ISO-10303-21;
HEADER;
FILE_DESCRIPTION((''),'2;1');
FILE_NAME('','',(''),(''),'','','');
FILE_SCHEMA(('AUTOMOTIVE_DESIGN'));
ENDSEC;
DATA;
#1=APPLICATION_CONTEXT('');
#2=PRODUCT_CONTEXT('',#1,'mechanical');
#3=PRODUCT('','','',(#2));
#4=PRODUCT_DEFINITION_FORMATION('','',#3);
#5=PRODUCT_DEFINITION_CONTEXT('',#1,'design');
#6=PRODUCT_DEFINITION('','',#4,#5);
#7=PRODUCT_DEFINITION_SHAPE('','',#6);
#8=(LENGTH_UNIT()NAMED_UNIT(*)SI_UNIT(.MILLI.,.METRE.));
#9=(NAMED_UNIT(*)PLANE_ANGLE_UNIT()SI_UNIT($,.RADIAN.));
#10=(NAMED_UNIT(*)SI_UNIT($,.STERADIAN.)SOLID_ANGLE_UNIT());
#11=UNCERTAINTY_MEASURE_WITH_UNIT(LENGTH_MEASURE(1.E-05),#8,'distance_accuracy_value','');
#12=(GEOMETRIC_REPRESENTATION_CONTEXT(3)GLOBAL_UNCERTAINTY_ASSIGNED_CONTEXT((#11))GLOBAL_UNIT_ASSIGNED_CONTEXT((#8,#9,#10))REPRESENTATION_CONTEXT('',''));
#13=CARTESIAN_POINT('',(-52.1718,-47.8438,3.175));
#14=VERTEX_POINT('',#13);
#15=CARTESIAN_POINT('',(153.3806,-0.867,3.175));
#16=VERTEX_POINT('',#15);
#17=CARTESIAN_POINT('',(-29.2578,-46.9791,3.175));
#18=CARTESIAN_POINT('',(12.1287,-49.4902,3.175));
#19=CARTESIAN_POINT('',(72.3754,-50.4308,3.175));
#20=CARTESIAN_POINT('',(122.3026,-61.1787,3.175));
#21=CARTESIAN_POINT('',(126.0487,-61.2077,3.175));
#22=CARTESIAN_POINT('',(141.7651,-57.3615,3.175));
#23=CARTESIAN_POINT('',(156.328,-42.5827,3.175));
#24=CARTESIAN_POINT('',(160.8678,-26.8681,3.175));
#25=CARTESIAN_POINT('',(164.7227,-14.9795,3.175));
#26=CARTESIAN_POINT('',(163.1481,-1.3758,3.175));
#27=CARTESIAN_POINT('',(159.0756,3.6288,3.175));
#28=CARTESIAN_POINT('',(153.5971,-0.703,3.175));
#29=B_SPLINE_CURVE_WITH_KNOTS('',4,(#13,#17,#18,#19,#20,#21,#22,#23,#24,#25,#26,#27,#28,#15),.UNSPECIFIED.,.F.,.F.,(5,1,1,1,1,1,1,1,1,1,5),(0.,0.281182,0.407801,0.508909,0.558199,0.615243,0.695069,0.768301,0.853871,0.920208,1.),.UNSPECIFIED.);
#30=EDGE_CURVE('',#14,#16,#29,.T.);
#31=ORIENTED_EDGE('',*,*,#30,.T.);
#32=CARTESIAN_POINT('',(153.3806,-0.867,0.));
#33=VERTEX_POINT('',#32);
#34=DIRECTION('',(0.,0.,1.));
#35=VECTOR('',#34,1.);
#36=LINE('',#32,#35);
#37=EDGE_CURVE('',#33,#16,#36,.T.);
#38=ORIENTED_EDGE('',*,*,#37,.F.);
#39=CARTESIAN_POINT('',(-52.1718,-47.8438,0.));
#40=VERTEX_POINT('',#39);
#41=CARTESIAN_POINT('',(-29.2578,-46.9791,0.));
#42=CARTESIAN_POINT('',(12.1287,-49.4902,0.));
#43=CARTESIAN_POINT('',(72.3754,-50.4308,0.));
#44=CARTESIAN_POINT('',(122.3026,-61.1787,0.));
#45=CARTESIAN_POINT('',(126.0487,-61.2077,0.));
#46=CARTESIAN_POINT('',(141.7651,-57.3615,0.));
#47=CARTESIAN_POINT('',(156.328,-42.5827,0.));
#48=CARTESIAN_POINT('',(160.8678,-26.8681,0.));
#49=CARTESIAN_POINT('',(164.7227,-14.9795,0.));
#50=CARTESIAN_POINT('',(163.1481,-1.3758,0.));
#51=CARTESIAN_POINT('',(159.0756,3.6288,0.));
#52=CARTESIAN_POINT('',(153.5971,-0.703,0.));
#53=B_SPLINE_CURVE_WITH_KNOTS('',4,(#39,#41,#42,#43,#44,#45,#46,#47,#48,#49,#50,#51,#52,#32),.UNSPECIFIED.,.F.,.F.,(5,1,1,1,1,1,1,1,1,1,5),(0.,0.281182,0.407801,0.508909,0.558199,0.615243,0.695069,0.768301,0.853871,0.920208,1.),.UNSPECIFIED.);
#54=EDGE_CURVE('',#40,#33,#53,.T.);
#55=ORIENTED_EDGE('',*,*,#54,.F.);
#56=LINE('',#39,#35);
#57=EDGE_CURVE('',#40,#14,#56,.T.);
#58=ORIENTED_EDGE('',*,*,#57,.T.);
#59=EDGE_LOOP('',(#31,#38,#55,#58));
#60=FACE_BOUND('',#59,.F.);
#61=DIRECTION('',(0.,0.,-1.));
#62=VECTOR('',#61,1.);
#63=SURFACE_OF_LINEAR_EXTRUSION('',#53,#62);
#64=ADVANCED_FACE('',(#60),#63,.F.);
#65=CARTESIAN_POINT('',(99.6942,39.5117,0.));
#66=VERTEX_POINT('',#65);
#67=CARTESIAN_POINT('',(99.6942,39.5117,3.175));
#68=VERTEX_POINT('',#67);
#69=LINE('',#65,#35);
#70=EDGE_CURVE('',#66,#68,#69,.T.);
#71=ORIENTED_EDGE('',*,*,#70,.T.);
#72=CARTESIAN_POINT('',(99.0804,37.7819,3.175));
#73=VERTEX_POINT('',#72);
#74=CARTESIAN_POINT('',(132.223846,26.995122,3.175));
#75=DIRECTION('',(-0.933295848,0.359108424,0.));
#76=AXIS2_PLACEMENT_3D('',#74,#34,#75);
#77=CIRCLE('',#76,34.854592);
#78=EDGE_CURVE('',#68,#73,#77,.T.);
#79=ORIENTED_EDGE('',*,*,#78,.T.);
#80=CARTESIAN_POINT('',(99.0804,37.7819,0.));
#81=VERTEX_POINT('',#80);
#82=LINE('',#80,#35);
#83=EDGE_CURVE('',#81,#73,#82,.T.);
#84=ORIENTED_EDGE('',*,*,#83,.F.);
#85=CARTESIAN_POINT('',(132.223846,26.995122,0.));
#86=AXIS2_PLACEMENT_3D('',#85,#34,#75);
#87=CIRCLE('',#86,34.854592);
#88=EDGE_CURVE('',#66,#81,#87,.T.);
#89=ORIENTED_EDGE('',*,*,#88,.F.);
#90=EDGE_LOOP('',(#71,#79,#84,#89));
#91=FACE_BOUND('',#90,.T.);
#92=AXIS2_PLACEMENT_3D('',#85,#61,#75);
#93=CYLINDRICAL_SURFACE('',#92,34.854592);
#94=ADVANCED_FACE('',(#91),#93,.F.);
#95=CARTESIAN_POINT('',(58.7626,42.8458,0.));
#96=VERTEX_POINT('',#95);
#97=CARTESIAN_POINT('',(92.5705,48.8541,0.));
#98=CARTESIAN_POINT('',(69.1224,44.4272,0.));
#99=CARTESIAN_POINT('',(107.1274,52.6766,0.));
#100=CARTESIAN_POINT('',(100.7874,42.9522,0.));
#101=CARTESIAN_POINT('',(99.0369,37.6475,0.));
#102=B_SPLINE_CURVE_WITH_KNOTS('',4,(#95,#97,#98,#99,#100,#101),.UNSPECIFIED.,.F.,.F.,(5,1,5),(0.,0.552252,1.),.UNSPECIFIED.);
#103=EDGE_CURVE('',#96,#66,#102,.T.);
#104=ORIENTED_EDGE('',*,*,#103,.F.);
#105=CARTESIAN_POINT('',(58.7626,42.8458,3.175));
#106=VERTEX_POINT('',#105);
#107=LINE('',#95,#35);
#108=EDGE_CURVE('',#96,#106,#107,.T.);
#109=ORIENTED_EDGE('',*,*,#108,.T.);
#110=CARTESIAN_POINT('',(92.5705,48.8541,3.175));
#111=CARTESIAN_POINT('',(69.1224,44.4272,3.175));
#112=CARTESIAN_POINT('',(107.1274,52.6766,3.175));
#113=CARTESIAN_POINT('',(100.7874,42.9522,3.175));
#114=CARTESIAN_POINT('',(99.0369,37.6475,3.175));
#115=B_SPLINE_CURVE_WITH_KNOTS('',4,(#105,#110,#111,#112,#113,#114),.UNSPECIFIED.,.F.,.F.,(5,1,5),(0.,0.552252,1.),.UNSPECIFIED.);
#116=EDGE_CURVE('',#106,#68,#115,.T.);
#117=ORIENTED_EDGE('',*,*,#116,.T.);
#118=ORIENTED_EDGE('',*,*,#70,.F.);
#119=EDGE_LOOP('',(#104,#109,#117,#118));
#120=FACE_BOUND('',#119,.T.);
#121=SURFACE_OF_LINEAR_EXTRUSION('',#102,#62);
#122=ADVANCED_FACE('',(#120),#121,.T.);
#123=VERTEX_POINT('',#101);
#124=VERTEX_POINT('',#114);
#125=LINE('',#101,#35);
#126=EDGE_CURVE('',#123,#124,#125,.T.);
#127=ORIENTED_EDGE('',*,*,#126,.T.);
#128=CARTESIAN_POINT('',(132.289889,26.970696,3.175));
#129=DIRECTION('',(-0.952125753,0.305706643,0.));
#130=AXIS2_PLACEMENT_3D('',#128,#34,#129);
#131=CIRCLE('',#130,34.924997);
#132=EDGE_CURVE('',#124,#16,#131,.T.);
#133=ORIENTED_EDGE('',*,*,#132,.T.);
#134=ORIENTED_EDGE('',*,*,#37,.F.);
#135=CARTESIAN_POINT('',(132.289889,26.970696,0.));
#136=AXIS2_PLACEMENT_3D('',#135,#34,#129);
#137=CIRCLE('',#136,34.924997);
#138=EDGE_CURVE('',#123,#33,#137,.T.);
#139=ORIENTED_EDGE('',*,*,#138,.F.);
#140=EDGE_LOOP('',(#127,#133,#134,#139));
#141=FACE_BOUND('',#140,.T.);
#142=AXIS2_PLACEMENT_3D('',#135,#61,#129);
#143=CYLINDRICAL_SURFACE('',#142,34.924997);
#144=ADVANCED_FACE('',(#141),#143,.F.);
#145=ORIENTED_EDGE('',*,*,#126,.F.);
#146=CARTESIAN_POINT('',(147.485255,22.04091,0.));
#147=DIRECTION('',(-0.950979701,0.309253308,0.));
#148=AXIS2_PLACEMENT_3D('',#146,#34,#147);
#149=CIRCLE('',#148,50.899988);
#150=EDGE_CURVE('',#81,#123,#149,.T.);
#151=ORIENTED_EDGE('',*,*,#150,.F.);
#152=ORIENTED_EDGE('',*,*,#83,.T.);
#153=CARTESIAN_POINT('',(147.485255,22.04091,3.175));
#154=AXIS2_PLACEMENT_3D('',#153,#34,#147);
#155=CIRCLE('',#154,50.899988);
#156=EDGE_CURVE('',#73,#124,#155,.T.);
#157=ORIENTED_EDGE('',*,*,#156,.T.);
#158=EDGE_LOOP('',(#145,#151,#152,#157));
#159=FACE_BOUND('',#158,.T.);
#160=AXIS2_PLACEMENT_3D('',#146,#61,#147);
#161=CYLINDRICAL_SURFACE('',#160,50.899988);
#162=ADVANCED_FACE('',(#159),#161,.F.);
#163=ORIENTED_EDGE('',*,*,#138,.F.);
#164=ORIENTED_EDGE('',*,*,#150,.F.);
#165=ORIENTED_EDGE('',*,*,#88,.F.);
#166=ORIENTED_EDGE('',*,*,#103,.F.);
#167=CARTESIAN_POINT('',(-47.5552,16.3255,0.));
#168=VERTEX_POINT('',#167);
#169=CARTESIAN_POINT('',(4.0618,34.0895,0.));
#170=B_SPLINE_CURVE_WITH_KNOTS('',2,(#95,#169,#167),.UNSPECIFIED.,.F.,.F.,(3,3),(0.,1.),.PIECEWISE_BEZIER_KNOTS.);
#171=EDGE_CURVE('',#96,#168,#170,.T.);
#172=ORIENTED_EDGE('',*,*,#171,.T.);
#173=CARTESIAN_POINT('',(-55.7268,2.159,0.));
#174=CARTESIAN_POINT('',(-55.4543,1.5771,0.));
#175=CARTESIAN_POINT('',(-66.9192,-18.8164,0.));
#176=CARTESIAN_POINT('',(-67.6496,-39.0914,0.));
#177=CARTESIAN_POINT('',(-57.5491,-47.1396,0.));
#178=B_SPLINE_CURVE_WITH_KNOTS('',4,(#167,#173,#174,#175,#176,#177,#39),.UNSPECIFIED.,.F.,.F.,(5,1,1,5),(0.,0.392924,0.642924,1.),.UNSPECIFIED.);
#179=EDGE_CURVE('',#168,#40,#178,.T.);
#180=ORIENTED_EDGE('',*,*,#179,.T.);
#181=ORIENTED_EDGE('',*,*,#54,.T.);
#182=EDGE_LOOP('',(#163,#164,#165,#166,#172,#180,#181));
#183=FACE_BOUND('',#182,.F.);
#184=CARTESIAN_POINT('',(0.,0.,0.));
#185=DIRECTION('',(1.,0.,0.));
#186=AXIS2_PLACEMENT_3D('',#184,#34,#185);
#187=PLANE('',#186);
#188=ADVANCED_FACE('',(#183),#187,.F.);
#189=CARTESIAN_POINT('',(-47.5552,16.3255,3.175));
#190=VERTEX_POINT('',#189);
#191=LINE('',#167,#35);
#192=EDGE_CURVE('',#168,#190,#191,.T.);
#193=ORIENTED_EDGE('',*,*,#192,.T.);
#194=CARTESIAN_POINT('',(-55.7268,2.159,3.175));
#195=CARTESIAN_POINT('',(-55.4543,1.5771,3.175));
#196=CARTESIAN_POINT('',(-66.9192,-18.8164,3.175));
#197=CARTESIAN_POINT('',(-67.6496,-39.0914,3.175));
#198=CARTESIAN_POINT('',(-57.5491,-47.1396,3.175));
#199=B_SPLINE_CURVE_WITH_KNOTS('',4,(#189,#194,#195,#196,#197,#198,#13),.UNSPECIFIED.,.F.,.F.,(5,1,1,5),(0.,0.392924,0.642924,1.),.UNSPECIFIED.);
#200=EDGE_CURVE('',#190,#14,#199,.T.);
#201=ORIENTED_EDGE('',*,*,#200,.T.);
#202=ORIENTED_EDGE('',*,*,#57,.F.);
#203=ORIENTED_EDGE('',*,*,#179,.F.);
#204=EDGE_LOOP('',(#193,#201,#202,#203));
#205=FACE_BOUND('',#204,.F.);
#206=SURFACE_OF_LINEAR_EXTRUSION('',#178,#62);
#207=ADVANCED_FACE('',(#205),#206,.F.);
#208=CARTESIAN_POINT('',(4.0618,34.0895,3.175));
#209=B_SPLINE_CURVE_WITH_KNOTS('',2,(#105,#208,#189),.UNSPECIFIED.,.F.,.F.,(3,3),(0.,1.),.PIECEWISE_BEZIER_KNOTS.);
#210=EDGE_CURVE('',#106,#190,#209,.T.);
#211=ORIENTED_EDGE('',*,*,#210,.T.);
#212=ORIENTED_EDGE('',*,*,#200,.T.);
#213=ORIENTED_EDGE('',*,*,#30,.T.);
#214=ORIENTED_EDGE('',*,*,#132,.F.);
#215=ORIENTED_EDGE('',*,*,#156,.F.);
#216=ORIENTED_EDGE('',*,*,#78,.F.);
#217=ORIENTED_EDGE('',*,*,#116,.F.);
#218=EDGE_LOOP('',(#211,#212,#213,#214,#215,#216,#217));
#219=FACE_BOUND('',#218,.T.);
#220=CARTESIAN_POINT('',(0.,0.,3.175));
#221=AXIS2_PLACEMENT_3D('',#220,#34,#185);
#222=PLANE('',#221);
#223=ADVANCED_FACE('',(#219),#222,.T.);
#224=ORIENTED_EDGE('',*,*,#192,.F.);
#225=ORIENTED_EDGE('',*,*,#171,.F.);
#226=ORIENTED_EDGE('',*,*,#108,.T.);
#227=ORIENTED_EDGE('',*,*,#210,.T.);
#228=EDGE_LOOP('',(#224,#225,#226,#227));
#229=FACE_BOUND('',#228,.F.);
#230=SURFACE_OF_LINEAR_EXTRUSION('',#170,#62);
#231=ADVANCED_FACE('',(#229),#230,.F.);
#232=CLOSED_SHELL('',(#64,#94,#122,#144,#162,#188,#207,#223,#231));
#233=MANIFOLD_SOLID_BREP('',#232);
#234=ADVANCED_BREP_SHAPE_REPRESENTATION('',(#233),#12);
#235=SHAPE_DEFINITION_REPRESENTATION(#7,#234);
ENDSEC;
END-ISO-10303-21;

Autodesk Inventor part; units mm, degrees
ref_plane "YZ Plane" through (0, 0, 0) normal (1, 0, 0) x (0, 1, 0)
ref_plane "XZ Plane" through (0, 0, 0) normal (0, 1, 0) x (-1, 0, 0)
ref_plane "XY Plane" through (0, 0, 0) normal (0, 0, 1) x (1, 0, 0)
sketch "Sketch1" plane through (0, 0, 0) normal (0, 0, 1) x (1, 0, 0)
  arc A0 (99.0804, 37.7819) -> (99.0369, 37.6475) centre (132.2899, 26.9707) ccw
  spline S0 degree 2 poles (58.7626, 42.8458) (4.0618, 34.0895) (-47.5552, 16.3255) knots 0 0 0 1 1 1
  spline S1 degree 4 poles (-47.5552, 16.3255) (-55.7268, 2.159) (-55.4543, 1.5771) (-66.9192, -18.8164) (-67.6496, -39.0914) (-57.5491, -47.1396) (-52.1718, -47.8438) knots 0 0 0 0 0 0.392924 0.642924 1 1 1 1 1
  line L0 (-27.7337, 50.6881) -> (-67.3766, -18.0371) construction
  arc A1 (-31.3128, 43.5784) -> (-63.0141, -11.3794) centre (916.5156, -539.7802) ccw construction
  line L1 (-68.5865, -45.6943) -> (-35.7572, -49.9933) construction
  arc A2 (-59.5605, -42.8684) -> (-43.7512, -44.9387) centre (-50.8755, -37.9448) ccw construction
  spline S2 degree 4 poles (58.7626, 42.8458) (92.5705, 48.8541) (69.1224, 44.4272) (107.1274, 52.6766) (100.7874, 42.9522) (99.0358, 37.6479) knots 0 0 0 0 0 0.552252 1 1 1 1 1
  line L2 (46.0358, 40.584) -> (71.4894, 45.1076) construction
  arc A3 (68.945, 44.65) -> (48.5821, 41.0311) centre (1808.5325, -9802.8794) ccw construction
  line L3 (100.5127, 42.1206) -> (97.5589, 33.1752) construction
  arc A4 (100.4221, 41.1299) -> (98.076, 34.025) centre (128.7331, 27.8415) ccw construction
  spline S3 degree 4 poles (-52.1718, -47.8438) (-29.2578, -46.9791) (12.1287, -49.4902) (72.3754, -50.4308) (122.3026, -61.1787) (126.0487, -61.2077) (141.7651, -57.3615) (156.328, -42.5827) (160.8678, -26.8681) (164.7227, -14.9795) (163.1481, -1.3758) (159.0756, 3.6288) (153.5971, -0.703) (153.3806, -0.867) knots 0 0 0 0 0 0.281182 0.407801 0.508909 0.558199 0.615243 0.695069 0.768301 0.853871 0.920208 1 1 1 1 1
  line L4 (-73.5152, -48.6492) -> (-30.8285, -47.0384) construction
  arc A5 (-35.1153, -47.7859) -> (-69.1843, -49.0715) centre (-42.8001, -296.1961) ccw construction
  line L5 (110.453, -62.1891) -> (142.2724, -59.2716) construction
  arc A6 (115.5464, -58.4524) -> (136.5843, -56.5234) centre (124.6496, -42.0465) ccw construction
  line L6 (121.2218, -72.5663) -> (169.0186, -32.8418) construction
  arc A7 (124.9955, -61.6613) -> (157.6074, -34.5572) centre (119.1641, -21.4734) ccw construction
  line L7 (156.4177, 1.434) -> (150.3434, -3.1681) construction
  arc A8 (152.0082, -0.9418) -> (153.824, 0.4339) centre (152.639, 0.1118) ccw construction
  line L8 (99.0369, 37.6475) -> (153.3777, -0.865) construction
  arc A9 (99.0369, 37.6475) -> (153.3806, -0.867) centre (132.2899, 26.9707) ccw
  arc A10 (99.6942, 39.5117) -> (99.0804, 37.7819) centre (132.2899, 26.9707) ccw
  arc A11 (153.3806, -0.867) -> (99.6942, 39.5117) centre (132.2899, 26.9707) ccw
  point P0 (4.6365, 31.7886)
  point P1 (-57.8731, -2.8569)
  point P2 (-64.386, -19.8711)
  point P3 (-63.6674, -38.8819)
  point P4 (88.0143, 47.7336)
  point P5 (99.9346, 46.3882)
  point P6 (28.3047, -49.9527)
  point P7 (109.7614, -58.564)
  point P8 (126.3627, -60.7303)
  point P9 (145.1202, -52.704)
  point P10 (160.7409, -27.4895)
  point P11 (163.7264, -11.9433)
  point P12 (161.4453, -0.8489)
  point P13 (157.2479, 1.1365)
  dimension "d0" = 69.85
extrude "Extrusion1" add sketch "Sketch1" along normal blind 3.175 contours A0 A9 S3 S1 S0 S2 A10
sketch "Sketch2" plane through (0, 0, 3.175) normal (0, 0, 1) x (1, 0, 0)
  arc A0 (99.6942, 39.5117) -> (153.3806, -0.867) centre (132.2899, 26.9707) ccw projected
  circle A1 centre (15.7533, 91.0014) radius 114.3 construction
  circle A2 centre (5.6398, -22.8503) radius 12.7
  circle A3 centre (38.3919, -21.0342) radius 12.7
  circle A4 centre (69.2795, -9.9909) radius 12.7
  line L0 (-6.8443, -25.2377) -> (-14.0625, 5.6809)
  line L1 (5.6398, -22.8503) -> (-11.2433, 49.4677) construction
  line L2 (17.8906, -19.4632) -> (10.6724, 11.4555)
  point P0 (-47.5552, 16.3255)
  point P1 (-52.1718, -47.8438)
  point P2 (58.7626, 42.8458)
  point P3 (0, 0)
  dimension "d7" = 35
  dimension "d3" = 228.6
  dimension "d4" = 25.4
  dimension "d11" = 33
  dimension "d13" = 31.75
properties part number "pickGuard01"
